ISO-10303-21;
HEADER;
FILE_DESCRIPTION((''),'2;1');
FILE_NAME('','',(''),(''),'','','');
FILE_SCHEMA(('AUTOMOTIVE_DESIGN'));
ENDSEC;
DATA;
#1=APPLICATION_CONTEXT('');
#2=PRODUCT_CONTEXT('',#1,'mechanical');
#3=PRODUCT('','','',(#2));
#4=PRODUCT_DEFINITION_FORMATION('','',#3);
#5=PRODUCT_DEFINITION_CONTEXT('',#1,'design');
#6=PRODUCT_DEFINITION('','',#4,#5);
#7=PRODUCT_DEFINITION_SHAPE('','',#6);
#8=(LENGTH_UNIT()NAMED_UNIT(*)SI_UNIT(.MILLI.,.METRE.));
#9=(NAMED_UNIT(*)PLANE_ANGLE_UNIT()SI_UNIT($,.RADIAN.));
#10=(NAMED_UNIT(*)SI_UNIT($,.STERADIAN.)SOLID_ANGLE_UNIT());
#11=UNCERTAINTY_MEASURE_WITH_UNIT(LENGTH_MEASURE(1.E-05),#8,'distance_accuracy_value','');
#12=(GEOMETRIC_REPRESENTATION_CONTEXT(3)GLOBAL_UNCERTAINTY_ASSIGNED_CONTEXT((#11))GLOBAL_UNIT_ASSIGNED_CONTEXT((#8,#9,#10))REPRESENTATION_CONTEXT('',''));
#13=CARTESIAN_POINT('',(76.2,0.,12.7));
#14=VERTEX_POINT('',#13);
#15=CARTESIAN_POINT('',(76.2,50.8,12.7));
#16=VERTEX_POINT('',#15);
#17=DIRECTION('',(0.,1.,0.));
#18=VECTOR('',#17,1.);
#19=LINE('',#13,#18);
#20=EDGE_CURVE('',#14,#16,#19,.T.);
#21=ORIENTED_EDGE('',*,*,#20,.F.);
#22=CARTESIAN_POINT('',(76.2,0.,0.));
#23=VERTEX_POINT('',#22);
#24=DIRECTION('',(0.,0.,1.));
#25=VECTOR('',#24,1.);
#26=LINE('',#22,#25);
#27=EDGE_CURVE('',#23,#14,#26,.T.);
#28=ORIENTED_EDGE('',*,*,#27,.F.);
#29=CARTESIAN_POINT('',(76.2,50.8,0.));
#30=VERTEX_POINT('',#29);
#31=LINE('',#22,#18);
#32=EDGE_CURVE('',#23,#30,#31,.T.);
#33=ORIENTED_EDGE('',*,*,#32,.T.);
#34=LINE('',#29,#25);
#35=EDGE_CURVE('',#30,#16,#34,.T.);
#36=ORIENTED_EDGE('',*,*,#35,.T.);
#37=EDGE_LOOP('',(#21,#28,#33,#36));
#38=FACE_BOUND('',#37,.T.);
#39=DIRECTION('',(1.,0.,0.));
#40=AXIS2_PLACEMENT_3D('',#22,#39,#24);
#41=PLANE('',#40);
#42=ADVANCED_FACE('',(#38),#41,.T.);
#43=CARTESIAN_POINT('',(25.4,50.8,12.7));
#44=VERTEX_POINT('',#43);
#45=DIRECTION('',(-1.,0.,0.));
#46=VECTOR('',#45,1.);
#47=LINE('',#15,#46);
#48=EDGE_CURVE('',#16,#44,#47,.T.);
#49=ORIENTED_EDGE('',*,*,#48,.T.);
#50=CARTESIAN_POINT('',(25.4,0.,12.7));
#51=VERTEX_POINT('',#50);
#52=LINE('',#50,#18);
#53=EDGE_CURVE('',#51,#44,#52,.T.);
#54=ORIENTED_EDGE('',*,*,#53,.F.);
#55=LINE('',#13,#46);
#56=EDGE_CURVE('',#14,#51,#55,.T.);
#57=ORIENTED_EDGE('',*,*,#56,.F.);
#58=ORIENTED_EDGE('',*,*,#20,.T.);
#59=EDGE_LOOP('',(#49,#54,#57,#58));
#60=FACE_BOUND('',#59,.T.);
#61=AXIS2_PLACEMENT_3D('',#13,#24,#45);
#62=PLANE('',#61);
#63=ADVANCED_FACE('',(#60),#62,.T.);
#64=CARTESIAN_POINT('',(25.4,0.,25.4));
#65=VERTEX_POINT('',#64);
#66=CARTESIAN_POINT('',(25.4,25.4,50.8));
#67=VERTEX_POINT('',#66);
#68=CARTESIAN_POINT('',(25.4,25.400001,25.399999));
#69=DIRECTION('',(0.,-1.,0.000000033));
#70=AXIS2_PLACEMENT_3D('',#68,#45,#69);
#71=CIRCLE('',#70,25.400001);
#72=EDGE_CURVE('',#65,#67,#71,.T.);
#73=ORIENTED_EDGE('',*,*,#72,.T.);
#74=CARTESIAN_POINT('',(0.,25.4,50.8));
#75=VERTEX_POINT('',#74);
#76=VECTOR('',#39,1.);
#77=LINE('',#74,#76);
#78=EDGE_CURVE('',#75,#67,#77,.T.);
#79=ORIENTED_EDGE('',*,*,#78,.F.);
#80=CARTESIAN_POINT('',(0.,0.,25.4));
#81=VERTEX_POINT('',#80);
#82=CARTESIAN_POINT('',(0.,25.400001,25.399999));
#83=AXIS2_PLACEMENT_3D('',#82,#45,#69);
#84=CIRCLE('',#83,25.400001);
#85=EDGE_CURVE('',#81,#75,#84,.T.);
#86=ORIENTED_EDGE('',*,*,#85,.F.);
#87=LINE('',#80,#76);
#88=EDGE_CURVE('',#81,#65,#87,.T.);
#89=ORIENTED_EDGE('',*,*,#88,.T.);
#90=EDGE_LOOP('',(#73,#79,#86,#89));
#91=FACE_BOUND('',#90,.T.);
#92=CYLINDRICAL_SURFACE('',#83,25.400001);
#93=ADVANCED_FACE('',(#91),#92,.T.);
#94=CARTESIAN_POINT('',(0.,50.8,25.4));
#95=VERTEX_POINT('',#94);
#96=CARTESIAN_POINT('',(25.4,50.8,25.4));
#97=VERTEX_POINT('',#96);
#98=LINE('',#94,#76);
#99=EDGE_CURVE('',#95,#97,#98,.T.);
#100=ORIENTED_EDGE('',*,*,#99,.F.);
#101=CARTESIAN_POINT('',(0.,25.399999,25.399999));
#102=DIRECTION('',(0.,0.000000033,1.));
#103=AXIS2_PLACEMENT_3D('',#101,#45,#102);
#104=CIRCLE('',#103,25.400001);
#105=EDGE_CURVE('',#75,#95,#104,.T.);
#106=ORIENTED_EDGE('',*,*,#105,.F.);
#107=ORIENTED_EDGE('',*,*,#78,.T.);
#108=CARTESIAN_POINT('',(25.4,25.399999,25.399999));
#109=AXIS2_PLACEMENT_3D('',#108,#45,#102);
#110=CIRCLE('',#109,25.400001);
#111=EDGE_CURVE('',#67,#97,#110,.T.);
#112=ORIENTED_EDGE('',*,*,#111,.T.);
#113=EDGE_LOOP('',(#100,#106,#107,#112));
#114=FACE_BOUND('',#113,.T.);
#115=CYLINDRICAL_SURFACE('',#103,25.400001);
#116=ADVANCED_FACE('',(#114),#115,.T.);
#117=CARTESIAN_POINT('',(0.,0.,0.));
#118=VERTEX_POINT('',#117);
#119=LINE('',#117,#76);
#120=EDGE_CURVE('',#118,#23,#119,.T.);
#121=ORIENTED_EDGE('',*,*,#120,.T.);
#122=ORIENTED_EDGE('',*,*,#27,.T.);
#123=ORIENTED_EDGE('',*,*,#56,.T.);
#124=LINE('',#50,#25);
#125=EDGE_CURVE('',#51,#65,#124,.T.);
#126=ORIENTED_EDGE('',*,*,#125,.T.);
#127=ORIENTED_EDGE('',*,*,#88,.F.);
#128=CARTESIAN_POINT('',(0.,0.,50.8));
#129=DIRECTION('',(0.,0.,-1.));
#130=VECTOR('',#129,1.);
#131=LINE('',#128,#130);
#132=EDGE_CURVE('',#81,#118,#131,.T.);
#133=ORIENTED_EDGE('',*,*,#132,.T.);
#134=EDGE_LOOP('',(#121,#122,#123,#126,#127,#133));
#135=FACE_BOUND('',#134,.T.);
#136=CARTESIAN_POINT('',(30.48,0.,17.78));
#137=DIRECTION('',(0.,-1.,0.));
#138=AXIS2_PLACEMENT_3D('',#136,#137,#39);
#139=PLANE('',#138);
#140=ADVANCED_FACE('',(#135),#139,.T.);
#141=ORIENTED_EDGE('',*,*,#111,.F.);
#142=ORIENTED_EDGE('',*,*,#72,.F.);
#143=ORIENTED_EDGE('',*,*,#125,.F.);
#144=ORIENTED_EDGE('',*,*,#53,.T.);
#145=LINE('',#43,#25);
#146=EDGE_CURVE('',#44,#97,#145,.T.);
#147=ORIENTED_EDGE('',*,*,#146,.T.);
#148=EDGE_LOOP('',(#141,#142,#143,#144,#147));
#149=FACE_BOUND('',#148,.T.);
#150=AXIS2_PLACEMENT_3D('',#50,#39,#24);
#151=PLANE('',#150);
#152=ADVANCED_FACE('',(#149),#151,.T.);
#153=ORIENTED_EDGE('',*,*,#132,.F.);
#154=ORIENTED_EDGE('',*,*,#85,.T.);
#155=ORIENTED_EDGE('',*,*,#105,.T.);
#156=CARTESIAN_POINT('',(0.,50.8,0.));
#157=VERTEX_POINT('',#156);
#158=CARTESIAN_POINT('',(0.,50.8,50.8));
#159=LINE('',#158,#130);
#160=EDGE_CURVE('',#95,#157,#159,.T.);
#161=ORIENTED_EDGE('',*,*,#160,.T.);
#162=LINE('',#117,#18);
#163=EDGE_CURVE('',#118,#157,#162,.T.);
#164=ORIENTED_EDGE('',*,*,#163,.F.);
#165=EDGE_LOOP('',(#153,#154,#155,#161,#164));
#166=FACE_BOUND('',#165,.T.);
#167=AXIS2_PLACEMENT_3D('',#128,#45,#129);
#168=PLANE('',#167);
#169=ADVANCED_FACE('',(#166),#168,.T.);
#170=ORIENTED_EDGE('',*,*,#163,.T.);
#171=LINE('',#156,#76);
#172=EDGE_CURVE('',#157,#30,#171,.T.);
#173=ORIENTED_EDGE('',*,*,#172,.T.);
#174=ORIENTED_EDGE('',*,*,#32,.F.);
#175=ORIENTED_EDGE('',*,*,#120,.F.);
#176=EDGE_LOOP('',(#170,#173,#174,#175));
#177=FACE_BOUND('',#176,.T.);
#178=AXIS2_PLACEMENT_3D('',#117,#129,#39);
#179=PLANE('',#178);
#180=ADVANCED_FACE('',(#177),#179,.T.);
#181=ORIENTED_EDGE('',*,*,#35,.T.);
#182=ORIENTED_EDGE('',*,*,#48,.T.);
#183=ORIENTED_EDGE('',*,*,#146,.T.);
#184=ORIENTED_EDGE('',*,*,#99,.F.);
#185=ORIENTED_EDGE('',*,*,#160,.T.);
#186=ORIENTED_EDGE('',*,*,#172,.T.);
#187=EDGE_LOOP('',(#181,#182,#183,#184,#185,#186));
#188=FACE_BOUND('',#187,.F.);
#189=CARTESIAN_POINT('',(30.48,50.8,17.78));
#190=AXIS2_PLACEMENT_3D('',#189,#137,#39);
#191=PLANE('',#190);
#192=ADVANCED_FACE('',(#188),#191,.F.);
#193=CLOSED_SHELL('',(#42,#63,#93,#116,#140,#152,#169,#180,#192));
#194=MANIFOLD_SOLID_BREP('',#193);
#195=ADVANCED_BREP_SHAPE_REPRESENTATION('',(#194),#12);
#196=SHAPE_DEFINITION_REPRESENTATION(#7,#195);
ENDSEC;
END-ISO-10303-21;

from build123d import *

# Parameters (mm, degrees)
F2_DEPTH = 50.8
F3_DEPTH = 25.4


with BuildPart() as f2:
    # F0 (on Front) → F2 (new body)
    with BuildSketch(Plane.XZ):
        Polygon((0, 50.8), (0, 0), (76.2, 0), (76.2, 12.7), (25.4, 12.7), (25.4, 50.8), align=None)
    extrude(amount=-F2_DEPTH)

    # F1 (on Right) → F3 (cut)
    with BuildSketch(Plane.YZ):
        with BuildLine():
            Line((50.8, 50.8), (25.4, 50.8))
            ThreePointArc((25.4, 50.8), (43.360512, 43.360512), (50.8, 25.4))
            Line((50.8, 25.4), (50.8, 50.8))
        make_face()
        with BuildLine():
            ThreePointArc((0, 25.4), (7.439488, 43.360512), (25.4, 50.8))
            Line((25.4, 50.8), (0, 50.8))
            Line((0, 50.8), (0, 25.4))
        make_face()
    extrude(amount=F3_DEPTH, mode=Mode.SUBTRACT)


solid = f2.part
